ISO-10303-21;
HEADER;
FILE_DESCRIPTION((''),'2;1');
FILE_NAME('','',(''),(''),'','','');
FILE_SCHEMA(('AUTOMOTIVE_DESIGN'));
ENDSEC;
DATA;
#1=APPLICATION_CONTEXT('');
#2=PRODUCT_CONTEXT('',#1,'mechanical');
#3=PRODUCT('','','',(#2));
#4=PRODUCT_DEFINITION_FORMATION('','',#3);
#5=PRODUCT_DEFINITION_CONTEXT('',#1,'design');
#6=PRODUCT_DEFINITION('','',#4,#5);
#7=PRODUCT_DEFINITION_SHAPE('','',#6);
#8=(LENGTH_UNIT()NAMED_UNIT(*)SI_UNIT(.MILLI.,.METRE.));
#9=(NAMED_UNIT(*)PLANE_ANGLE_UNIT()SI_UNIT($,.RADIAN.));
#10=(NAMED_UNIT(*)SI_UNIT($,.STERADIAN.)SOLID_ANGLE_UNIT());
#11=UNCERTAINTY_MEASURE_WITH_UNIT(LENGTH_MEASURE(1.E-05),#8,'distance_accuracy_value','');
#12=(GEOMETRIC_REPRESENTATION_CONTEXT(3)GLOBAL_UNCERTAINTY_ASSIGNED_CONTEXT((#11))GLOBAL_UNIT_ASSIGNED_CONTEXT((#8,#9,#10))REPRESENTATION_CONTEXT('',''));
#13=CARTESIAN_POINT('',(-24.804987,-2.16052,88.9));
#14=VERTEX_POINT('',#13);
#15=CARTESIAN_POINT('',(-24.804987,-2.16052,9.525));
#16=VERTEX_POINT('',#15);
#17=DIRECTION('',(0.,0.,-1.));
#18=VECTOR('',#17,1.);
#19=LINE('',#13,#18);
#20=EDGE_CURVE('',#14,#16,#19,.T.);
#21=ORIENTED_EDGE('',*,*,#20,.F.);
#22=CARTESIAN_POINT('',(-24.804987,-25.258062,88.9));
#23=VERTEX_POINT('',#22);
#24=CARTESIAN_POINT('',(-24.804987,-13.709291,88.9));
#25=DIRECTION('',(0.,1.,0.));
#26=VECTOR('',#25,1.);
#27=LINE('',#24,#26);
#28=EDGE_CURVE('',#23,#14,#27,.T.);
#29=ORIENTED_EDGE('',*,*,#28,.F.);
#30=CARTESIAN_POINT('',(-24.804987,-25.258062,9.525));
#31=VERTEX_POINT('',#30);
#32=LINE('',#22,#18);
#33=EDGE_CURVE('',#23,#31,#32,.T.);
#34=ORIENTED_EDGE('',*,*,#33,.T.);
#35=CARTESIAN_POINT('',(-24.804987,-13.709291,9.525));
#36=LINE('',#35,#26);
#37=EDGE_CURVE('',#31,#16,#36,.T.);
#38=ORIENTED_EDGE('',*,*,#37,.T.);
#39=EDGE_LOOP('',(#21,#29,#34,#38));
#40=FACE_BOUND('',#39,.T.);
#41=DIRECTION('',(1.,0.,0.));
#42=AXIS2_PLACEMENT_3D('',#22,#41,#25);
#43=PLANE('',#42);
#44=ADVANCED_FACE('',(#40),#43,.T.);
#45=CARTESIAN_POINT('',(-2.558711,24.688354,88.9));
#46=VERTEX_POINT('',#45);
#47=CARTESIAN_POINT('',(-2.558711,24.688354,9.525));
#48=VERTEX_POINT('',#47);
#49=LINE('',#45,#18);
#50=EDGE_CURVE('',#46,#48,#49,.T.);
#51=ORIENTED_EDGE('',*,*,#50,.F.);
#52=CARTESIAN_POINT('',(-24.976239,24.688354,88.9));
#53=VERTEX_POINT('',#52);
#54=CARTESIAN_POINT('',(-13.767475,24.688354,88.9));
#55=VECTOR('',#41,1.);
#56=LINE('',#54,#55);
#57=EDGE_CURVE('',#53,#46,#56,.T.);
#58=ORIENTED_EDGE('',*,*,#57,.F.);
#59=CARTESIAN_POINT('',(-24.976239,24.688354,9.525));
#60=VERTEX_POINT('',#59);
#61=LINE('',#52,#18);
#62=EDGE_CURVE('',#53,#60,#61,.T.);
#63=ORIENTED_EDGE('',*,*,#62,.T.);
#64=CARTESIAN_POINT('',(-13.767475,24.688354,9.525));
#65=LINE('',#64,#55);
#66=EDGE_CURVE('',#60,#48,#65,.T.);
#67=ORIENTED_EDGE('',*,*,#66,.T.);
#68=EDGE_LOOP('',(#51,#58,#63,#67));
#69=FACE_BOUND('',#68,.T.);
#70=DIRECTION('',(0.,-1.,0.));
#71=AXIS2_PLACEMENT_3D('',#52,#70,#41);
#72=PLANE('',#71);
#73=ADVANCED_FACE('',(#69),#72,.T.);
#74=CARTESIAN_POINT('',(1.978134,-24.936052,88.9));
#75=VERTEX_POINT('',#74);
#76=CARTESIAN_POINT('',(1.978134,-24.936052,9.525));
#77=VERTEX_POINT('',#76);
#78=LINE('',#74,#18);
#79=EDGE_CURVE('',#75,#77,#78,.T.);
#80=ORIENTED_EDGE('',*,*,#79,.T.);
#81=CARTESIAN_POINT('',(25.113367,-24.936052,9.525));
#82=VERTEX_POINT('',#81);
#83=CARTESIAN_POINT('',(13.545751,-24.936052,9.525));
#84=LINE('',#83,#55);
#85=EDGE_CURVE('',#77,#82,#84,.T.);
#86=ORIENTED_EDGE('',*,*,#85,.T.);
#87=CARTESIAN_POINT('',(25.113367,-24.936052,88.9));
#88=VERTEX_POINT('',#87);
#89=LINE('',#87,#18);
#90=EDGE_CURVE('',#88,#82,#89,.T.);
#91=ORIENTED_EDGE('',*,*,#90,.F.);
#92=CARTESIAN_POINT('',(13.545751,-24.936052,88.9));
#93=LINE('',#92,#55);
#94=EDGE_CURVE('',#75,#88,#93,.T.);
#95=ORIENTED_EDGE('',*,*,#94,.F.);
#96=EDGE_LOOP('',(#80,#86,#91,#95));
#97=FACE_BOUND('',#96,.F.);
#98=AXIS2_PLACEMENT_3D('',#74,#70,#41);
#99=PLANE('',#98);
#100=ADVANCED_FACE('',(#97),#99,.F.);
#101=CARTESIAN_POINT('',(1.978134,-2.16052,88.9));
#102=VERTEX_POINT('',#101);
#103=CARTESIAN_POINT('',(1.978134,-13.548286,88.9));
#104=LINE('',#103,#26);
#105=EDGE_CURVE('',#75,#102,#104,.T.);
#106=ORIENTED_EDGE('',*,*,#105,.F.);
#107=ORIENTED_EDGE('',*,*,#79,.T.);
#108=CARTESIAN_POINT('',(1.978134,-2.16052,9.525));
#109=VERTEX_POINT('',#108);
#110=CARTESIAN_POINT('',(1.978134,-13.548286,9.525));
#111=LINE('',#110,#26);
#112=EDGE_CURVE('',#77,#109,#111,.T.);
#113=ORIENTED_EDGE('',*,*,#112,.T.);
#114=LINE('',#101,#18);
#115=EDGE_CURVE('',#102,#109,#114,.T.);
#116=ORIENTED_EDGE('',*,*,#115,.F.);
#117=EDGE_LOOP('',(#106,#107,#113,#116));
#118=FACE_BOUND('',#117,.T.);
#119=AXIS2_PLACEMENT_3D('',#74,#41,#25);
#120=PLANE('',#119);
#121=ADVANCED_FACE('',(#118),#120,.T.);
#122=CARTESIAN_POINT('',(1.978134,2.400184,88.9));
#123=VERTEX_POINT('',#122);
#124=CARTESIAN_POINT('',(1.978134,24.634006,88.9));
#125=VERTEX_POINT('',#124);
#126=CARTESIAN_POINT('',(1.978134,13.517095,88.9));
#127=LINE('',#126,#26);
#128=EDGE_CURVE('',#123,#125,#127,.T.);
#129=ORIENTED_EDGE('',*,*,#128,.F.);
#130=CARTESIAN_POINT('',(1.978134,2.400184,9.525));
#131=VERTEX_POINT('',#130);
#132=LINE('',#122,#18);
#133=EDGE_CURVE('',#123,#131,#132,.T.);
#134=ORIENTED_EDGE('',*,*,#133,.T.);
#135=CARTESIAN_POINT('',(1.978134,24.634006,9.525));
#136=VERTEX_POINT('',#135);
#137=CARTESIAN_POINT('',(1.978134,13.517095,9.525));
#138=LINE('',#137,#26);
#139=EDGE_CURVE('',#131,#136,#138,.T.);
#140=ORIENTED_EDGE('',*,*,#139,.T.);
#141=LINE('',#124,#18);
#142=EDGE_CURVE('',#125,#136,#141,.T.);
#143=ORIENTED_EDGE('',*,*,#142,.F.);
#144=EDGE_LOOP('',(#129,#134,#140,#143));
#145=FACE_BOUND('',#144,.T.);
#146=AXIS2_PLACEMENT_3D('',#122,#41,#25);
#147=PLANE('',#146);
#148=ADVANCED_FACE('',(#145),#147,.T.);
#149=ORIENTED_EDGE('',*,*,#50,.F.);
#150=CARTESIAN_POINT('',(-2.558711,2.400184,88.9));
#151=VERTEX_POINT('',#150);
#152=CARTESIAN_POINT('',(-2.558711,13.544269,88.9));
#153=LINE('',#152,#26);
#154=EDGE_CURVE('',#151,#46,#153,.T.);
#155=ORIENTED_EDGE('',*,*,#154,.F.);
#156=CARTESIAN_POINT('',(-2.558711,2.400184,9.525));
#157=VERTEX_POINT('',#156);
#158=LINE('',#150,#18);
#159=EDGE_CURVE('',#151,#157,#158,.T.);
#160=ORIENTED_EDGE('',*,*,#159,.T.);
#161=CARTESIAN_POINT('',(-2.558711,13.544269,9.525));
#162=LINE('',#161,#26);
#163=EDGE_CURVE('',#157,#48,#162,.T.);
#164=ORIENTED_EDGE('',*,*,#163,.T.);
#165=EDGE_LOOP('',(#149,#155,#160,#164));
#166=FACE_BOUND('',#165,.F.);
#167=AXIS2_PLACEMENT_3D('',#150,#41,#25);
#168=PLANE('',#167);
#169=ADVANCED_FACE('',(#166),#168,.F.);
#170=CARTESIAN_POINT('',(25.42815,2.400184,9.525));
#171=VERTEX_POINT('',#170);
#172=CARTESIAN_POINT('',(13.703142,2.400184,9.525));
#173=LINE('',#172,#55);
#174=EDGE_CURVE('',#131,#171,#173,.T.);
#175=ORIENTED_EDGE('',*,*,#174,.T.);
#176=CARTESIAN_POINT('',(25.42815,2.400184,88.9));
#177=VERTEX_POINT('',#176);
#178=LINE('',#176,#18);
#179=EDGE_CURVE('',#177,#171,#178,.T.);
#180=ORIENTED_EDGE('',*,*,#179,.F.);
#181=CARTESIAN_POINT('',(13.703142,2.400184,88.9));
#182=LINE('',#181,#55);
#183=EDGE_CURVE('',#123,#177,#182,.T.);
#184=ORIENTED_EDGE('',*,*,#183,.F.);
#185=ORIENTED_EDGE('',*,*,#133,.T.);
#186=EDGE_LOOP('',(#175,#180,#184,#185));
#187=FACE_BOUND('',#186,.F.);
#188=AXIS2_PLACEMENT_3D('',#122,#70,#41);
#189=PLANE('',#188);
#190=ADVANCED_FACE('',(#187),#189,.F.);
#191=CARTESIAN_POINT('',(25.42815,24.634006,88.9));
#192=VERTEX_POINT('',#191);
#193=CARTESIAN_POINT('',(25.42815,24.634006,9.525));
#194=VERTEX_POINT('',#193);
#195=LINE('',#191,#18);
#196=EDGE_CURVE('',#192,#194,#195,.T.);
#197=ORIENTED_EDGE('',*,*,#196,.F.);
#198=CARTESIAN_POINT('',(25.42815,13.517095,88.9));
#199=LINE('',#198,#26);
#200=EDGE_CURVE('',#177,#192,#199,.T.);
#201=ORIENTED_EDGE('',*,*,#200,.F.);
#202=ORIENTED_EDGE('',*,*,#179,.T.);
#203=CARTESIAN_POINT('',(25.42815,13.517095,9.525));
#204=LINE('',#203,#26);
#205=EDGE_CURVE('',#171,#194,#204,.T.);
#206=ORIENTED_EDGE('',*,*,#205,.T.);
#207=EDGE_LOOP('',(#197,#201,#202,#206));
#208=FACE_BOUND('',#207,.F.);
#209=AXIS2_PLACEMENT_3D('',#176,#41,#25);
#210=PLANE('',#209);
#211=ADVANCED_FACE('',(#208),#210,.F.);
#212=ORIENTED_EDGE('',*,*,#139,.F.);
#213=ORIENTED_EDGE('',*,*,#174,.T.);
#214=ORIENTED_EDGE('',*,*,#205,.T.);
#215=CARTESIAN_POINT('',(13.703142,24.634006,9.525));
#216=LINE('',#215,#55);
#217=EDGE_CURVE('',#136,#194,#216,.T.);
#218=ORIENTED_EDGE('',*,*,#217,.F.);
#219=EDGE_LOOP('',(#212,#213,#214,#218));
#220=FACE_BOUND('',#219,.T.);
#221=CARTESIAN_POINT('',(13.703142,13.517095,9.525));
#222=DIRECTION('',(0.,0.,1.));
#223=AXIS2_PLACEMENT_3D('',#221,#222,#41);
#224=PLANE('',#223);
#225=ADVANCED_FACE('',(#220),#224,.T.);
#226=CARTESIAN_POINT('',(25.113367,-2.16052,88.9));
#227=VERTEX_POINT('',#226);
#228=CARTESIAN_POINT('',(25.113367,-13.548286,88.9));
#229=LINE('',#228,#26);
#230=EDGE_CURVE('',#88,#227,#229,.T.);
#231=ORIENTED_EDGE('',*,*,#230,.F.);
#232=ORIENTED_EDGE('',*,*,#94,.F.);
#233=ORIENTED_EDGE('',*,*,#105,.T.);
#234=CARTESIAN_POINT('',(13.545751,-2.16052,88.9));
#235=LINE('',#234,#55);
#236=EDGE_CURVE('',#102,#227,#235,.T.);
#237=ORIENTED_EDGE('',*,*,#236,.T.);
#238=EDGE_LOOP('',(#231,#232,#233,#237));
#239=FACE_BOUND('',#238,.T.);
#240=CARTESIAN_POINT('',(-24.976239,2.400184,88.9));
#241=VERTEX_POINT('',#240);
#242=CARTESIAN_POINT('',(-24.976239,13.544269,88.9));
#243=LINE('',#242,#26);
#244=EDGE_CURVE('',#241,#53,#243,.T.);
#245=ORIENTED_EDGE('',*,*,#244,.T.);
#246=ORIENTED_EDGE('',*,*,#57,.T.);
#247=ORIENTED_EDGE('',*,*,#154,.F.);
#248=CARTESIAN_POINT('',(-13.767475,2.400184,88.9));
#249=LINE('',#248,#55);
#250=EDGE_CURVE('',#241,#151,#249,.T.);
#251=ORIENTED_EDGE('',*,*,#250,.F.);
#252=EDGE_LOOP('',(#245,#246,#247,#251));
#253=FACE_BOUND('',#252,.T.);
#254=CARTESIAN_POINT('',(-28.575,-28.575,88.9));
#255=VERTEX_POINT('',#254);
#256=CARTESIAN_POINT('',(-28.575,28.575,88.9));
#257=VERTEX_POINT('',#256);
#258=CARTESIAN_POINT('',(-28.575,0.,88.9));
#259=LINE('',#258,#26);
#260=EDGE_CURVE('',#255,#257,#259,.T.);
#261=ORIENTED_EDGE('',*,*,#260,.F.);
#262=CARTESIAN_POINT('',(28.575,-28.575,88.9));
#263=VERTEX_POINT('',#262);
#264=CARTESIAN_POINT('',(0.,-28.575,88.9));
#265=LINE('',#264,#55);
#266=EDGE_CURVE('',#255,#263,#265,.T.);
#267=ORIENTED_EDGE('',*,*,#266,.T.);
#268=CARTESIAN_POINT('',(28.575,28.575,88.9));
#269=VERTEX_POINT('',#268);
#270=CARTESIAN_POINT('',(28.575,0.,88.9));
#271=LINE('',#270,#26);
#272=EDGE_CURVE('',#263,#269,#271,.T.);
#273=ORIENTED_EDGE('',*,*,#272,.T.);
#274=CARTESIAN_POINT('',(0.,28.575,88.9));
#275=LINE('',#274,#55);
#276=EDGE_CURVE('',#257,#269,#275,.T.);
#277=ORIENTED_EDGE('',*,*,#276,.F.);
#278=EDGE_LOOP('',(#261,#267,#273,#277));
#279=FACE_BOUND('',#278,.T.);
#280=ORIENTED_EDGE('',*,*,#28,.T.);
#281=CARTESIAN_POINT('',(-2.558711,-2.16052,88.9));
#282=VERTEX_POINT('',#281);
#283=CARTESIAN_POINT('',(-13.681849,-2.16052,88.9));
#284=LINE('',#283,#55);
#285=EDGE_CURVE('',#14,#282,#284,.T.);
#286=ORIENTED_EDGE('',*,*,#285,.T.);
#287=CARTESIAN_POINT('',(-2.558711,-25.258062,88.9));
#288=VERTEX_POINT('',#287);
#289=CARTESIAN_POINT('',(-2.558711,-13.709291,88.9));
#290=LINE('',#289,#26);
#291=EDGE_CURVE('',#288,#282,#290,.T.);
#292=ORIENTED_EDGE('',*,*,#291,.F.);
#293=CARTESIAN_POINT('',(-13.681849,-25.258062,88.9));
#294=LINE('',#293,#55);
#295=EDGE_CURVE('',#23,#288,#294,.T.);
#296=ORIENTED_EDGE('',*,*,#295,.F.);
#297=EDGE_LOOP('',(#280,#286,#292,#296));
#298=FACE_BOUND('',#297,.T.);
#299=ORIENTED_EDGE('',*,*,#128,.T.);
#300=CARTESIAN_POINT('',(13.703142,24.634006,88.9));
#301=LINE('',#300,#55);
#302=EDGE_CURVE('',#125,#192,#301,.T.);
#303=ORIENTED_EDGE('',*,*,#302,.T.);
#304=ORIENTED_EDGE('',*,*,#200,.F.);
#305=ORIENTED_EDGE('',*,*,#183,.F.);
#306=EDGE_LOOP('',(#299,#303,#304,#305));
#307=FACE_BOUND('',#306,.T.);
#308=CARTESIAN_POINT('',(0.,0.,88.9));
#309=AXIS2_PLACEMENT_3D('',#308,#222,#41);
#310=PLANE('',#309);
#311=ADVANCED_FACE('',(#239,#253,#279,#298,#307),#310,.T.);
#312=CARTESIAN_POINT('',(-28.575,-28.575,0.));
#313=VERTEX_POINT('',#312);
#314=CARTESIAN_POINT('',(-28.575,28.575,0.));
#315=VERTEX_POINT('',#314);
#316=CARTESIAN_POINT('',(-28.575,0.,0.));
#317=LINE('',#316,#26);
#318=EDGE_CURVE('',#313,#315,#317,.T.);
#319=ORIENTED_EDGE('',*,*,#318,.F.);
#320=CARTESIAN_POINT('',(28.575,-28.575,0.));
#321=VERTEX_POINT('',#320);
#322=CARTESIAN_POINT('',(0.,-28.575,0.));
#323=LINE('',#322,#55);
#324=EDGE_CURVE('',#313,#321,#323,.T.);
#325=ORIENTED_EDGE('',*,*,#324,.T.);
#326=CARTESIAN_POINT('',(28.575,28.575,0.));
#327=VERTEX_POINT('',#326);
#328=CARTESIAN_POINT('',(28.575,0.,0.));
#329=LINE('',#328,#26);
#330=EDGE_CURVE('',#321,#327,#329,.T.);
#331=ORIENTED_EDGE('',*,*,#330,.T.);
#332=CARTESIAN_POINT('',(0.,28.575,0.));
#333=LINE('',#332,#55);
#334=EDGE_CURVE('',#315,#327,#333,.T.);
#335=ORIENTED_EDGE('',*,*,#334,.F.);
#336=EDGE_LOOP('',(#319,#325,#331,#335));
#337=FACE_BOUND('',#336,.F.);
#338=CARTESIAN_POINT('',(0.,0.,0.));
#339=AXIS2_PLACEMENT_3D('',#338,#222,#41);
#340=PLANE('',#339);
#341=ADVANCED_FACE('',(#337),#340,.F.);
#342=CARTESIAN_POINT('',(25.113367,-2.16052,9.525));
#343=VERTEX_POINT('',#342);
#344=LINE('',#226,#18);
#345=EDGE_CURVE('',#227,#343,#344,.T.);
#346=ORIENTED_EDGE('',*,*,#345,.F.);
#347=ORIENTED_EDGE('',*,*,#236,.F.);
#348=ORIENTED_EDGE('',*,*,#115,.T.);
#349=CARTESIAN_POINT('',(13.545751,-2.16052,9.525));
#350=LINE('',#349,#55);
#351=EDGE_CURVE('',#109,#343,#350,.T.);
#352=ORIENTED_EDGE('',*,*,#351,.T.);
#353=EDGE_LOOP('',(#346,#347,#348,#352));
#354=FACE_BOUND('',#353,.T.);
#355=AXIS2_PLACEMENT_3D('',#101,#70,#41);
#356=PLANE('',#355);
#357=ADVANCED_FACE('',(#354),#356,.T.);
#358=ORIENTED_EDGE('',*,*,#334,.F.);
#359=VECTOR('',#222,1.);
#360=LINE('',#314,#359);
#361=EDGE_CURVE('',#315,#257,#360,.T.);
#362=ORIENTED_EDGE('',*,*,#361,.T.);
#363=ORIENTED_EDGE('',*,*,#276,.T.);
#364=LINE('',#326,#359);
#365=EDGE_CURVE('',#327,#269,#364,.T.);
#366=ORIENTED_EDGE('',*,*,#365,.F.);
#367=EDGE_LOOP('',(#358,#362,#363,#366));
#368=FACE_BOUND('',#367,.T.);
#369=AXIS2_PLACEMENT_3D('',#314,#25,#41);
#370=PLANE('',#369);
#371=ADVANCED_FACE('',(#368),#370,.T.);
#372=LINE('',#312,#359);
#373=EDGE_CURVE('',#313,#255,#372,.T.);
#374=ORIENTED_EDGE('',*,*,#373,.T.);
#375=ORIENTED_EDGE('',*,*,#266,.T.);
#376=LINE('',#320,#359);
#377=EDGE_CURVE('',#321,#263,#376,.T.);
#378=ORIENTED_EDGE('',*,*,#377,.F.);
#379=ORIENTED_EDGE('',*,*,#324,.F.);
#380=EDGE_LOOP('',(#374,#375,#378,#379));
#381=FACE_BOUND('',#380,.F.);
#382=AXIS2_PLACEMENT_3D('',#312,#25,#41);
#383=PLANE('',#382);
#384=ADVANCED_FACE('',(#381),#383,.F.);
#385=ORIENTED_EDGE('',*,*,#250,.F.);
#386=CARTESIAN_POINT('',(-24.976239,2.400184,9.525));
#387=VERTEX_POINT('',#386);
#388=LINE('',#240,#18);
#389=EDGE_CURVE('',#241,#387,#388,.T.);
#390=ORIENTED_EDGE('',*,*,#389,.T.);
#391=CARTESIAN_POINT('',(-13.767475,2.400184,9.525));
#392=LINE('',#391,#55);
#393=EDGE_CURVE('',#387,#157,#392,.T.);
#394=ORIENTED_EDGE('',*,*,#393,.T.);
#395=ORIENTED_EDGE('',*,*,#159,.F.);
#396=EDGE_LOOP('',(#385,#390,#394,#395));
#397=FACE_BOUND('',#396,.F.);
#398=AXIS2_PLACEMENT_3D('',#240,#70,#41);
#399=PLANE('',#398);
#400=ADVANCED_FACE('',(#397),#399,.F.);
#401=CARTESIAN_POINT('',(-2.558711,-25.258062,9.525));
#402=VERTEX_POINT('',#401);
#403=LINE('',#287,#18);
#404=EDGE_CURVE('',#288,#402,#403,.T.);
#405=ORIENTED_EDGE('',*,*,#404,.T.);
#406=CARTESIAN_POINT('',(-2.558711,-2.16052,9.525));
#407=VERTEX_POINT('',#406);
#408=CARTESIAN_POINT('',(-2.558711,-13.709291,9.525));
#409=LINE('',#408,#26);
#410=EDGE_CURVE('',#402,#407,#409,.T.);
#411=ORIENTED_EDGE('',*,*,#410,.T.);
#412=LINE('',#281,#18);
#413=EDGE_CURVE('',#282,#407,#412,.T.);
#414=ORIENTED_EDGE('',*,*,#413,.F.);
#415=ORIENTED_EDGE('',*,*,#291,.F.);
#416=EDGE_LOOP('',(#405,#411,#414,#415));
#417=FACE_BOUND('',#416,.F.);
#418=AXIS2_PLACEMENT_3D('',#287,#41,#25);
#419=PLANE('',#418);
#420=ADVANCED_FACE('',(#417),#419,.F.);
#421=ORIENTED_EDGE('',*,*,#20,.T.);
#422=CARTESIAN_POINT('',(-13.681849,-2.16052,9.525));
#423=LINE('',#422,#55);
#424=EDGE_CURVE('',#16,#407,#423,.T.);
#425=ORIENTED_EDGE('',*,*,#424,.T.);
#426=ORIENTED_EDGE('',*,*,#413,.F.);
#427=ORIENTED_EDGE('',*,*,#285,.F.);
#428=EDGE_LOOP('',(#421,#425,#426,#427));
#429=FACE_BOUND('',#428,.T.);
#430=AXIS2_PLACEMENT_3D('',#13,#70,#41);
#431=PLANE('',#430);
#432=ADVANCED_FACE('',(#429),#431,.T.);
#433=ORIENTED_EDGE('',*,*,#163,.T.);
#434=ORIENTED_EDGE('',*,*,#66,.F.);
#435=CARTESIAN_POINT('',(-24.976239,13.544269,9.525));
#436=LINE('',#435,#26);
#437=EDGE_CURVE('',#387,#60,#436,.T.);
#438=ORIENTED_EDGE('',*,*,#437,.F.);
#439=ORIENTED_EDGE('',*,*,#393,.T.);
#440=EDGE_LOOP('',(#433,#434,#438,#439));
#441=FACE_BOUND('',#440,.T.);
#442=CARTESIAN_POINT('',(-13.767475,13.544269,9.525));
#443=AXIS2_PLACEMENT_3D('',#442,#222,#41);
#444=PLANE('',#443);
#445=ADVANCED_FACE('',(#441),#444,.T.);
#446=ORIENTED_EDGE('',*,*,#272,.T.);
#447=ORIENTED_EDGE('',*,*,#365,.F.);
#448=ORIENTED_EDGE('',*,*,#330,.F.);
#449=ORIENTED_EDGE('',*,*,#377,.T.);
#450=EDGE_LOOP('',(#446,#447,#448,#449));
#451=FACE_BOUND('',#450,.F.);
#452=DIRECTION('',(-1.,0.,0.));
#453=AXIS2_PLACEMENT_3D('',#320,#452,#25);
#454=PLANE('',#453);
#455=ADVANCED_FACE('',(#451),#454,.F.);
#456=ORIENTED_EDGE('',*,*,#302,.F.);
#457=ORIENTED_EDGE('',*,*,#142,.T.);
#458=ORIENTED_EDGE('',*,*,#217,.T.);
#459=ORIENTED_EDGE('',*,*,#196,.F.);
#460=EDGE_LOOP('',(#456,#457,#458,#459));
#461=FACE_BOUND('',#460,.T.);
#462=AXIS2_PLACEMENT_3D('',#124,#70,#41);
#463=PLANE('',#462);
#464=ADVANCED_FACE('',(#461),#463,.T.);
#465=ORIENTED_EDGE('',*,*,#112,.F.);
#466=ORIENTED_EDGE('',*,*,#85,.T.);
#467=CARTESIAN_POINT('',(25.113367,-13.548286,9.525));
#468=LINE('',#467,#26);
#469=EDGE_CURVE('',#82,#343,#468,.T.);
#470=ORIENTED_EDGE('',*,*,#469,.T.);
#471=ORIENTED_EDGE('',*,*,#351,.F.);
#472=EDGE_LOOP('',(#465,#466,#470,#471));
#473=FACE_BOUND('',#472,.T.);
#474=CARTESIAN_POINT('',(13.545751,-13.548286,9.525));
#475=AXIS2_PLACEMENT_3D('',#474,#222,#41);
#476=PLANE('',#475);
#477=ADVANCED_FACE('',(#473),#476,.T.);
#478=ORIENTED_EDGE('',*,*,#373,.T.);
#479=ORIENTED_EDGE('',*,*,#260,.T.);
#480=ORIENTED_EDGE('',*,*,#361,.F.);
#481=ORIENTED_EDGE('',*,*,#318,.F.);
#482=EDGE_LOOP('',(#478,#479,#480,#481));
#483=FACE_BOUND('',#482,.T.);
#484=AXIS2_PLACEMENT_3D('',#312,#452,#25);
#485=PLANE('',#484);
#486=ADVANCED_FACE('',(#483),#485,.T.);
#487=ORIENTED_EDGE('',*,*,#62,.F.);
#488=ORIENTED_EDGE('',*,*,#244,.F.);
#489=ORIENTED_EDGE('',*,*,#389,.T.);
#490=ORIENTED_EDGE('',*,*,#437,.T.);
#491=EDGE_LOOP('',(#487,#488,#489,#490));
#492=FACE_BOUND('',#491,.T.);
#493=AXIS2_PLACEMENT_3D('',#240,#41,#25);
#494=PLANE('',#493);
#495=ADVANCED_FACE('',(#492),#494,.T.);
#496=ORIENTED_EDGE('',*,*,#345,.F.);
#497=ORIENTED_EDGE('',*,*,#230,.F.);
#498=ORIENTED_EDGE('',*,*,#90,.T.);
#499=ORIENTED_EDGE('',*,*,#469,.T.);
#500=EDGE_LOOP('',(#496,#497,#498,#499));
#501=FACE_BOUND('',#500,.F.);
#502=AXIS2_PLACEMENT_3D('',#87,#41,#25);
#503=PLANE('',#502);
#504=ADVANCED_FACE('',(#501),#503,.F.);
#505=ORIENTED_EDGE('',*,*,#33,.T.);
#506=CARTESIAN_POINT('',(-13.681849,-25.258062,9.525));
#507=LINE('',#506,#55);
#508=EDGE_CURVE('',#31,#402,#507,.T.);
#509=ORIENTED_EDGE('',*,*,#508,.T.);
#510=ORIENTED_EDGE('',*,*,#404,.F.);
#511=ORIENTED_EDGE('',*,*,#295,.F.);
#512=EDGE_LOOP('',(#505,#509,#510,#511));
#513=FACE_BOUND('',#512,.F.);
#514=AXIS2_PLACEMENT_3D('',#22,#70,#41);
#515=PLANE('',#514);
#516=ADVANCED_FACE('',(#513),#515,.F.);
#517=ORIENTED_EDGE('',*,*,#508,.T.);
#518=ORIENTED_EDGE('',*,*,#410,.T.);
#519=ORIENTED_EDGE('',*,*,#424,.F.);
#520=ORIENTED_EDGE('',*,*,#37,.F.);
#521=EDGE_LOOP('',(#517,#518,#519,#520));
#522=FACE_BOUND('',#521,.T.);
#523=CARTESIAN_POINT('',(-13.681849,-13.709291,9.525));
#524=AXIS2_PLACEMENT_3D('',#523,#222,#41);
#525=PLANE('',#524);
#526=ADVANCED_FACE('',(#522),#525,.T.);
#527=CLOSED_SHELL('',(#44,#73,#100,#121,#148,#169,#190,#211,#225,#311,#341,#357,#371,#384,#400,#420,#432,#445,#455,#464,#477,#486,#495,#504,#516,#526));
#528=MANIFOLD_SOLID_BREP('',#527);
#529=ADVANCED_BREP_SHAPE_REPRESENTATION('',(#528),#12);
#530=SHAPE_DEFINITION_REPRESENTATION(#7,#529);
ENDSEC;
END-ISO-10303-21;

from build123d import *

# Parameters (mm, degrees)
F0_W     = 57.15
F0_H     = 57.15
F1_DEPTH = 88.9
F3_W     = 22.417528
F3_H     = 22.28817
F3_W_2   = 23.450016
F3_H_2   = 22.233822
F3_W_3   = 22.246276
F3_H_3   = 23.097542
F3_W_4   = 23.135233
F3_H_4   = 22.775532
F4_DEPTH = 79.375


with BuildPart() as f1:
    # F0 (on Top) → F1 (new body)
    with BuildSketch(Plane.XY):
        Rectangle(F0_W, F0_H)
    extrude(amount=F1_DEPTH)

    # F3 (on face) → F4 (cut)
    with BuildSketch(Plane.XY.offset(88.9)):
        with Locations((-13.767475, 13.544269)):
            Rectangle(F3_W, F3_H)
        with Locations((13.703142, 13.517095)):
            Rectangle(F3_W_2, F3_H_2)
        with Locations((-13.681849, -13.709291)):
            Rectangle(F3_W_3, F3_H_3)
        with Locations((13.545751, -13.548286)):
            Rectangle(F3_W_4, F3_H_4)
    extrude(amount=-F4_DEPTH, mode=Mode.SUBTRACT)


solid = f1.part
